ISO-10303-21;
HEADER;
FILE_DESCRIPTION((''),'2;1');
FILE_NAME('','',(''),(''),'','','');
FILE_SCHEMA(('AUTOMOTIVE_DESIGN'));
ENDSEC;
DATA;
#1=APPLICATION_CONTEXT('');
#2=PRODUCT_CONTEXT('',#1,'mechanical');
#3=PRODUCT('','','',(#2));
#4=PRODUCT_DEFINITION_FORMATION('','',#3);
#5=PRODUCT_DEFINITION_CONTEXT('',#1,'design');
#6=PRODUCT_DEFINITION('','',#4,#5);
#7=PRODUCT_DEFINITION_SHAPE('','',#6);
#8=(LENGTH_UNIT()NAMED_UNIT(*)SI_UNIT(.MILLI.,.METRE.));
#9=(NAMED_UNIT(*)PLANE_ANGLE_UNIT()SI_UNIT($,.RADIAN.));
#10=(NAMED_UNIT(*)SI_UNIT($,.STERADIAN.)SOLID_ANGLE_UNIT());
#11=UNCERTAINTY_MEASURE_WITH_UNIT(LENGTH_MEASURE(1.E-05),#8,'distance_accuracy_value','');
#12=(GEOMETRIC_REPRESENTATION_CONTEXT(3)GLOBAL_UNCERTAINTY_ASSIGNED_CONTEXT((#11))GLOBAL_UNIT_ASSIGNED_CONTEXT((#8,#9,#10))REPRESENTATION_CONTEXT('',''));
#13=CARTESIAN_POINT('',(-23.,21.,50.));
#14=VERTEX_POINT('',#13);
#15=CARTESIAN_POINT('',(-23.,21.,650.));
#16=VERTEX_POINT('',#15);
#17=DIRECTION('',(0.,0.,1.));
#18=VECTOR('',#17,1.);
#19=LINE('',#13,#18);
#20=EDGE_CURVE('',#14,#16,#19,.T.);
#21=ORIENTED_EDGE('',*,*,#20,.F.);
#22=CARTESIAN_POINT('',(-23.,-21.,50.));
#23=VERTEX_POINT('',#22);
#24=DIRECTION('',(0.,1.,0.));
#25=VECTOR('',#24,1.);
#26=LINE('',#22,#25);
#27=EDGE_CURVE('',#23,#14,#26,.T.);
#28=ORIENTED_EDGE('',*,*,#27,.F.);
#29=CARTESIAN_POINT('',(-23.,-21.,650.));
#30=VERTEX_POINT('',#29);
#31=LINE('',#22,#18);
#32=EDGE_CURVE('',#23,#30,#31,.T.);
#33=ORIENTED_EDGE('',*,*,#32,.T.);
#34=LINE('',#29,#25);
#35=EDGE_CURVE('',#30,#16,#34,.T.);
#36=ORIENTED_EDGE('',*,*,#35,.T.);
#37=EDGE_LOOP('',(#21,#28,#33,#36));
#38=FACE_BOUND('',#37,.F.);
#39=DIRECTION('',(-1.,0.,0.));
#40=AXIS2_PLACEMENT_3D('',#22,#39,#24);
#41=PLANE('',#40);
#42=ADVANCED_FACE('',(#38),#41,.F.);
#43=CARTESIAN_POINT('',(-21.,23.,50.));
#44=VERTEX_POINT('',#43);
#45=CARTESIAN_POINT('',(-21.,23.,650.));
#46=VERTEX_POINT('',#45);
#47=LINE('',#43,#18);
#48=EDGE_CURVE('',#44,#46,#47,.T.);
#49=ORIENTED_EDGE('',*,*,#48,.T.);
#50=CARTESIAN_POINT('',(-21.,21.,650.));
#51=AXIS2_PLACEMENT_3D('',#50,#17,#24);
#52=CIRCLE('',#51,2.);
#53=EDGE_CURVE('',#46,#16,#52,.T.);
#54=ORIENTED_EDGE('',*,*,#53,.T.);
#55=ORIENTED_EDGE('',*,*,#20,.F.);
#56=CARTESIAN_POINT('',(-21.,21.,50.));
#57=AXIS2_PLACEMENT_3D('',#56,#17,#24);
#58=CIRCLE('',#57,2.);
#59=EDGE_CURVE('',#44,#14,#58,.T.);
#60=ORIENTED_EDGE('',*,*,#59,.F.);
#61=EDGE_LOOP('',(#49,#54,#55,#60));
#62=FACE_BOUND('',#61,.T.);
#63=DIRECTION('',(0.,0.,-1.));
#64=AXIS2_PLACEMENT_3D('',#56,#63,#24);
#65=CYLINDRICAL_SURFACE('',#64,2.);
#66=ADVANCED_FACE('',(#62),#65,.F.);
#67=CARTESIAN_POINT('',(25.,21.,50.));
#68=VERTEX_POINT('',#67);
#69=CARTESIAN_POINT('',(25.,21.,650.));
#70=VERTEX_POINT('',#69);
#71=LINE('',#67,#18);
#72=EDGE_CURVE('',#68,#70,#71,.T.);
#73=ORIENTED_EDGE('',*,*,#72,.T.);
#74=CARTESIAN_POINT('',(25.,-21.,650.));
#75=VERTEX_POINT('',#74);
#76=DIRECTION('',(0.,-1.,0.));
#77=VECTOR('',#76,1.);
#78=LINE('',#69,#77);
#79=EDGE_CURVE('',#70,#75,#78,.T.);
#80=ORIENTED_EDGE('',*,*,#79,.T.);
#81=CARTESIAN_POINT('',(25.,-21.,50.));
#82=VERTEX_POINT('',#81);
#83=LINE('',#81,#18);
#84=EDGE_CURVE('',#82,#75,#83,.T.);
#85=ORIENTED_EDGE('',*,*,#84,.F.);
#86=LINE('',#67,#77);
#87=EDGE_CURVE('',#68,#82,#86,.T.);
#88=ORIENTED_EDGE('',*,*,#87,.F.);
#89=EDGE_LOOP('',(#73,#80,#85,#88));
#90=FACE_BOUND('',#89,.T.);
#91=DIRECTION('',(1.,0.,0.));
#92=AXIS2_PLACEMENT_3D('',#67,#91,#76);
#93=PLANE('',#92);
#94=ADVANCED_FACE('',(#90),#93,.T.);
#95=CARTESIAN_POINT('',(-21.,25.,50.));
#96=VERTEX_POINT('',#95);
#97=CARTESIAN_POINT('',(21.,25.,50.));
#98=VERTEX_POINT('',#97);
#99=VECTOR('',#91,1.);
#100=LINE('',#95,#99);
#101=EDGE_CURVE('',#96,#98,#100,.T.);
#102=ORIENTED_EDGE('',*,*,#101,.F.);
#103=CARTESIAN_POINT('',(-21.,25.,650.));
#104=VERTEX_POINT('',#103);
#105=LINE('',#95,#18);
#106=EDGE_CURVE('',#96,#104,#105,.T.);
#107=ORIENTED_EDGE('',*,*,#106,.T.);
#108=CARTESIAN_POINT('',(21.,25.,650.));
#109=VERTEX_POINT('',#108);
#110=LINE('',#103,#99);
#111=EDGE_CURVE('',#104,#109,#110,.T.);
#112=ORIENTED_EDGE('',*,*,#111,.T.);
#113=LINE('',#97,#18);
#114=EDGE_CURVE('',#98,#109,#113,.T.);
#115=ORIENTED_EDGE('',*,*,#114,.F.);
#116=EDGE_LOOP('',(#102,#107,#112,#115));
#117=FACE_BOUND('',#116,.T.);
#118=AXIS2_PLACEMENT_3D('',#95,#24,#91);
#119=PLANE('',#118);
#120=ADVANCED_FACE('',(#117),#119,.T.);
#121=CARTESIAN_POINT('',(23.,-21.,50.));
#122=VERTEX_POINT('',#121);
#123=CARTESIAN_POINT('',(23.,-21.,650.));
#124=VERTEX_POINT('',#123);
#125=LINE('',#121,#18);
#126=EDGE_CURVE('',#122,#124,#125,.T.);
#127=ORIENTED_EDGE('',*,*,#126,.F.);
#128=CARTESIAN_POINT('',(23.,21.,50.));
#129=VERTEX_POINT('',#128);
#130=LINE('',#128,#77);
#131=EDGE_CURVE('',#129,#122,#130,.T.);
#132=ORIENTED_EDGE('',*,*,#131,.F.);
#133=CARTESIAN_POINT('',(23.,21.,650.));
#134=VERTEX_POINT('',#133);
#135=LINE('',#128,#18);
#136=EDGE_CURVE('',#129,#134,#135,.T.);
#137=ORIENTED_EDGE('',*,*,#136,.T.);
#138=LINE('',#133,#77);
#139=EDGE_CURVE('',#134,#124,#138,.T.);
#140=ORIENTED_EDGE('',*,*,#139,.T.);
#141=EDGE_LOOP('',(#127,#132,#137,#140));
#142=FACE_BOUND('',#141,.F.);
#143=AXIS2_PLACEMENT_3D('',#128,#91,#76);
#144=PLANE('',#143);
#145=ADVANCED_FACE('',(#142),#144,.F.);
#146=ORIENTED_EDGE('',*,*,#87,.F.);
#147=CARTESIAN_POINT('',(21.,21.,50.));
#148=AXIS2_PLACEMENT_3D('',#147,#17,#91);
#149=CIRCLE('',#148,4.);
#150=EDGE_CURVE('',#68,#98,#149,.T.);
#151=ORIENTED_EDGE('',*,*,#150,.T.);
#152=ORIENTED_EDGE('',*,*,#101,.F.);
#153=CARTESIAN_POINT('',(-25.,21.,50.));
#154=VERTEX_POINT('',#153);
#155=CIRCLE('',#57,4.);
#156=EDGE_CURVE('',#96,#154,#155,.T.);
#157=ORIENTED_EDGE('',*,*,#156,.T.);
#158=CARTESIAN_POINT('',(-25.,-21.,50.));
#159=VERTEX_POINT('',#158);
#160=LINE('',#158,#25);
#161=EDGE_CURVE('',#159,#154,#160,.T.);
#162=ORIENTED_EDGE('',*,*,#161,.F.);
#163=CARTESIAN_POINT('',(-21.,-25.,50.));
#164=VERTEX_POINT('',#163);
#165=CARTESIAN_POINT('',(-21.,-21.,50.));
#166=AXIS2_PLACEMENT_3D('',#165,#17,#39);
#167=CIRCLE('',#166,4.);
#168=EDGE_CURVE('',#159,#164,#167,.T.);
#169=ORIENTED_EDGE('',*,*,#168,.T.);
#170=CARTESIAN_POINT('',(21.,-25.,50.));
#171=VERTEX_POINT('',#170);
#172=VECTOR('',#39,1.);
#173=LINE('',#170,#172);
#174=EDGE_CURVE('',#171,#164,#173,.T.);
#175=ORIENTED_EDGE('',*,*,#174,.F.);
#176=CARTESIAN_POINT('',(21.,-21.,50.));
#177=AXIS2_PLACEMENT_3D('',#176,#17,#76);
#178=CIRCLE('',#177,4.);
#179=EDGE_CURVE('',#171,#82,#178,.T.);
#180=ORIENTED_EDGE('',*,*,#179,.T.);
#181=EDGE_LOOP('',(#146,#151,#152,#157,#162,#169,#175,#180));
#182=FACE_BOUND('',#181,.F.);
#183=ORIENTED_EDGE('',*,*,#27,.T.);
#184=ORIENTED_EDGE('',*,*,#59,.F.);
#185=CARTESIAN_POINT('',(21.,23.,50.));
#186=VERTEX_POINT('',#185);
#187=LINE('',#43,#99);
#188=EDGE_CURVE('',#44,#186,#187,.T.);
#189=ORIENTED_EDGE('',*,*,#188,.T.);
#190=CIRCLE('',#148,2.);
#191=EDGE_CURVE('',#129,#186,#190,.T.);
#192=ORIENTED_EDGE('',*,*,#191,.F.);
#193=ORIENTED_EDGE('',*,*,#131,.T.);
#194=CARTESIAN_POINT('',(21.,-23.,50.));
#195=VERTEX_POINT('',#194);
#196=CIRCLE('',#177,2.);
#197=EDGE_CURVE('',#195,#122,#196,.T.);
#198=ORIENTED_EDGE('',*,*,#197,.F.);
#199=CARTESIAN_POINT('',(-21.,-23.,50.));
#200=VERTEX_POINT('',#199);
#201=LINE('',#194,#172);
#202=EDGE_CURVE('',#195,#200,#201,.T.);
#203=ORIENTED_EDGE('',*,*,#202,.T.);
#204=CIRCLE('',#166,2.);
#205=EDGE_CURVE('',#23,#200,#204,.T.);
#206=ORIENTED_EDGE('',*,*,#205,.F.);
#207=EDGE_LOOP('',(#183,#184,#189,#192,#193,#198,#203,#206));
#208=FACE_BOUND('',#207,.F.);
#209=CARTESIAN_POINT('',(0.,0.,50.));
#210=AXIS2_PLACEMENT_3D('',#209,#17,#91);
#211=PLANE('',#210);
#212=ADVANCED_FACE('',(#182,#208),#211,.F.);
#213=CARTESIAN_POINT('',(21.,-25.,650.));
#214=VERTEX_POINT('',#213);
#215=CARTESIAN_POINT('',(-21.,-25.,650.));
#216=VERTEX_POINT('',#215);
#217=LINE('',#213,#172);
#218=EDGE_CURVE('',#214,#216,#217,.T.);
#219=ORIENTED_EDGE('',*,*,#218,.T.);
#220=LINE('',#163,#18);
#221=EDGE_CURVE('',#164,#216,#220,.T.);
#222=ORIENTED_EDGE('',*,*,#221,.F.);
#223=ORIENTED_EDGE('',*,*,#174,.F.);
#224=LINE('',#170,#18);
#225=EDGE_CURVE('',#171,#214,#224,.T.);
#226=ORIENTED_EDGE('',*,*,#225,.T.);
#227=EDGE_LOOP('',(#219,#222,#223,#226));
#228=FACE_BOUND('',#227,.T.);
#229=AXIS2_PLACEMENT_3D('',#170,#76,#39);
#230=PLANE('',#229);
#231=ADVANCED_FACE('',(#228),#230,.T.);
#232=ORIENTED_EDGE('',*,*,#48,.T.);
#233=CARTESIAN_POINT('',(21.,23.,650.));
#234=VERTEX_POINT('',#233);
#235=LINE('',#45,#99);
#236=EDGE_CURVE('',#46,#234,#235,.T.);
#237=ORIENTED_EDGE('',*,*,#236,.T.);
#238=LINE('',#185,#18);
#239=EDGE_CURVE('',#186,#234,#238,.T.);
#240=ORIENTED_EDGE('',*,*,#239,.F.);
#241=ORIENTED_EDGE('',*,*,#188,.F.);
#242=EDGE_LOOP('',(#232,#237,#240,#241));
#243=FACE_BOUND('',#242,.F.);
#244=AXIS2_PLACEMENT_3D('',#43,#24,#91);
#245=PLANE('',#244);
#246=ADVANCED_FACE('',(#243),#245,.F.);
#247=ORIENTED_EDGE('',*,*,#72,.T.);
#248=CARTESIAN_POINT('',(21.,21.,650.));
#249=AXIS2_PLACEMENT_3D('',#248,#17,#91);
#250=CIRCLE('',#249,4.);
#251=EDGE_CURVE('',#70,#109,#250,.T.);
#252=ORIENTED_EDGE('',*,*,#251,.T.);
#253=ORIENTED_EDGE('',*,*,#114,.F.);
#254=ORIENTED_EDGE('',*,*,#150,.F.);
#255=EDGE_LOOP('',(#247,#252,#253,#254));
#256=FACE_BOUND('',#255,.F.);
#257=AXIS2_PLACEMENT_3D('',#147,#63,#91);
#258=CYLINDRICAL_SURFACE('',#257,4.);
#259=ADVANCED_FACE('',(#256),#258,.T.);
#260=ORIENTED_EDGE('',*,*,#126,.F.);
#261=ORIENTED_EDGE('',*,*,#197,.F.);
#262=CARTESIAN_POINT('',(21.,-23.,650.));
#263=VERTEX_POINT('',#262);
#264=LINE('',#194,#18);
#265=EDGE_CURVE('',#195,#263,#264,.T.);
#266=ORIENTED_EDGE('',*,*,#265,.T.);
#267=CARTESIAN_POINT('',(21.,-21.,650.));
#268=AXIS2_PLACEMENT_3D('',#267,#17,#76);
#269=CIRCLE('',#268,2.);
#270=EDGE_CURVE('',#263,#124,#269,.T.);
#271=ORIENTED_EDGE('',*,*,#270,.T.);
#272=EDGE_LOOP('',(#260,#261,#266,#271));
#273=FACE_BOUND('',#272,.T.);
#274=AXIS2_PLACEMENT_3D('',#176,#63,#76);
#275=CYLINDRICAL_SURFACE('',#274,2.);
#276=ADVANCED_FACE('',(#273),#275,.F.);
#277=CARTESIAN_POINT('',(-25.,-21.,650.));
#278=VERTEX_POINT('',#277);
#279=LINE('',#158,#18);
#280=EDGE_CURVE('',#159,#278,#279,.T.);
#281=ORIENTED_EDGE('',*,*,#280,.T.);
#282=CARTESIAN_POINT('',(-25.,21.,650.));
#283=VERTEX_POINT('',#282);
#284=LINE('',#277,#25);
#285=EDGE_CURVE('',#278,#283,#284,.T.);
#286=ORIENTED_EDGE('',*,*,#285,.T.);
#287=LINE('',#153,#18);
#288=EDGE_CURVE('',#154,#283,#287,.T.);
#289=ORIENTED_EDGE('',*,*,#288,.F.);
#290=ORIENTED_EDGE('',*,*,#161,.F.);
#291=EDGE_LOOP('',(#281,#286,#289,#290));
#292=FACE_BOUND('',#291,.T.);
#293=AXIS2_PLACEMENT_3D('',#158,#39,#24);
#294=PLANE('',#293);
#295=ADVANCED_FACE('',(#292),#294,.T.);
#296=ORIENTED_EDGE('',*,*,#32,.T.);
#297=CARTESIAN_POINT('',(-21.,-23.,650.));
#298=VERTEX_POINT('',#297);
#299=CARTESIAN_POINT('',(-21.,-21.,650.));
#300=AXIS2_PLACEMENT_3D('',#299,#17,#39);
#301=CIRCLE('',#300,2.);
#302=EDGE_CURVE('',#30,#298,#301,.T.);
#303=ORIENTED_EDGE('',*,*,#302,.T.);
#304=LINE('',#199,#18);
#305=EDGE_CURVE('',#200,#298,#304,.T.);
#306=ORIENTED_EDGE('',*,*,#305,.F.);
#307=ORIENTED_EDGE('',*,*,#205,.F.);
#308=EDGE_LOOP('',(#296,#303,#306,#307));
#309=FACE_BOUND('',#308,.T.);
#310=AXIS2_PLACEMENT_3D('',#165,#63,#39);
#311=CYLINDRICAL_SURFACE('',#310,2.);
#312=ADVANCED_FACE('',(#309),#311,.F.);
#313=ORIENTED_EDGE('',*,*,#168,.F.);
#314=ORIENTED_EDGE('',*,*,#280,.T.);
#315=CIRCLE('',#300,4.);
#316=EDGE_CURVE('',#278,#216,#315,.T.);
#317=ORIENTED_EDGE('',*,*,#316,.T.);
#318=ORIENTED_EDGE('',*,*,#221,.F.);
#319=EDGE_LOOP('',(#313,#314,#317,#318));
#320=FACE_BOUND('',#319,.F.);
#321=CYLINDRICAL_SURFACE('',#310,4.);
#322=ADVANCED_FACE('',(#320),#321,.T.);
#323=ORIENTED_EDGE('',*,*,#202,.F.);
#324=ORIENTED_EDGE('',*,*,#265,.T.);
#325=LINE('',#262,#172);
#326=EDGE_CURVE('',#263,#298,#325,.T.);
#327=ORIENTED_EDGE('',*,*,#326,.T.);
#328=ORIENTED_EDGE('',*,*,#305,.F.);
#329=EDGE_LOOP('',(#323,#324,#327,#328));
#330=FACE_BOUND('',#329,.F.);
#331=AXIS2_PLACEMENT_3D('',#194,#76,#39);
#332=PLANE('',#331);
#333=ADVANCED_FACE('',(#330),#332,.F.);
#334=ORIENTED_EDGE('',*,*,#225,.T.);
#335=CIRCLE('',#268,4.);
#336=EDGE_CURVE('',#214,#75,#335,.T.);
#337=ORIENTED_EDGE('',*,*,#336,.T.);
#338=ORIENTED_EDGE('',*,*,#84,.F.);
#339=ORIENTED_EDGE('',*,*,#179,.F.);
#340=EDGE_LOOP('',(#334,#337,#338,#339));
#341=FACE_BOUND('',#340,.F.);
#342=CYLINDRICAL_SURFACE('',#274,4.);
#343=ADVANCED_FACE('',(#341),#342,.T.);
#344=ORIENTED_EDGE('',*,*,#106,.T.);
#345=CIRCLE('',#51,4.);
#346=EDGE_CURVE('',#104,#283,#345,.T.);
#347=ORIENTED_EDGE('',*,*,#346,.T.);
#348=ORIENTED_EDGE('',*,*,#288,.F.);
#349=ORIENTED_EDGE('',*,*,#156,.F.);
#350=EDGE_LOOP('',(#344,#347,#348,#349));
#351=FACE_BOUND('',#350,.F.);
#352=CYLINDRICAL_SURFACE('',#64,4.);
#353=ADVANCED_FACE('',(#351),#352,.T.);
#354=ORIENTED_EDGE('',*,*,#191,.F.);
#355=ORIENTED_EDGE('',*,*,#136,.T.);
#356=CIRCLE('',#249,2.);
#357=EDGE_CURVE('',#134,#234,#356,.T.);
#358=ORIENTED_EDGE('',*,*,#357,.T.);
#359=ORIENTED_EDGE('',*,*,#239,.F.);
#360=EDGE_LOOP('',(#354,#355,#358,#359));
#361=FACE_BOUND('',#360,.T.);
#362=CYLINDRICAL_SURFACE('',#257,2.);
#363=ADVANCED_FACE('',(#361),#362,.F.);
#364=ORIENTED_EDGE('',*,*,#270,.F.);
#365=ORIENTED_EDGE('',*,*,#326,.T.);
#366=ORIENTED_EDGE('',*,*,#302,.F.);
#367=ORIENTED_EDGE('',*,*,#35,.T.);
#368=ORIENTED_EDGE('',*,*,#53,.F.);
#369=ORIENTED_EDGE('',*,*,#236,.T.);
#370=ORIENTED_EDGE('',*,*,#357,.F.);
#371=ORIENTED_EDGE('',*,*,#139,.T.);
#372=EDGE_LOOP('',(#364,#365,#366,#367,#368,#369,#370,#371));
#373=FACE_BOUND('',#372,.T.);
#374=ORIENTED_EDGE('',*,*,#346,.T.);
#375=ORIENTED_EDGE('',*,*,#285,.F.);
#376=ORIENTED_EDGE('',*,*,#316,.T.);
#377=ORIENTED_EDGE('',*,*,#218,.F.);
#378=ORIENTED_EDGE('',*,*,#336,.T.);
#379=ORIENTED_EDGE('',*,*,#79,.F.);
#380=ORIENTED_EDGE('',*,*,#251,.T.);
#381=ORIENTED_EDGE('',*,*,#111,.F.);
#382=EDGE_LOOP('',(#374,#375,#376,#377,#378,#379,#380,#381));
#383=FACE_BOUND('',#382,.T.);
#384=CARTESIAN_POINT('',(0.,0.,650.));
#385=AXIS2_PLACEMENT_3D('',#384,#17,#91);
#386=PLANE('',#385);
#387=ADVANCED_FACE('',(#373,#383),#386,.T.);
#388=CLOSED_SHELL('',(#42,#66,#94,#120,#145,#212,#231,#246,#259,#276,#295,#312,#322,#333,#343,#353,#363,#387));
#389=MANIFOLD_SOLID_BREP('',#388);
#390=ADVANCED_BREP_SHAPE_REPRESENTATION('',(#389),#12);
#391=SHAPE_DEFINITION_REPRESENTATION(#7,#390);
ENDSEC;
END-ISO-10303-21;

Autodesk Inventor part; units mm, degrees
ref_plane "YZ Plane" through (0, 0, 0) normal (1, 0, 0) x (0, 1, 0)
ref_plane "Start Plane" through (0, 0, 50) normal (0, 0, 1) x (1, 0, 0)
ref_plane "End Plane" through (0, 0, 650) normal (0, 0, 1) x (1, 0, 0)
sketch "Sketch" plane through (0, 0, 0) normal (0, 0, 1) x (1, 0, 0)
  line L0 (-25, -21) -> (-25, 21)
  line L1 (-21, 25) -> (21, 25)
  line L2 (25, 21) -> (25, -21)
  line L3 (21, -25) -> (-21, -25)
  arc A0 (-25, -21) -> (-21, -25) centre (-21, -21) ccw
  arc A1 (25, 21) -> (21, 25) centre (21, 21) ccw
  arc A2 (-21, 25) -> (-25, 21) centre (-21, 21) ccw
  arc A3 (21, -25) -> (25, -21) centre (21, -21) ccw
  arc A4 (-21, 23) -> (-23, 21) centre (-21, 21) ccw
  line L4 (-21, 23) -> (21, 23)
  arc A5 (23, 21) -> (21, 23) centre (21, 21) ccw
  line L5 (23, 21) -> (23, -21)
  arc A6 (21, -23) -> (23, -21) centre (21, -21) ccw
  line L6 (21, -23) -> (-21, -23)
  arc A7 (-23, -21) -> (-21, -23) centre (-21, -21) ccw
  line L7 (-23, -21) -> (-23, 21)
  line L8 (0, 36.1598) -> (0, -36.1598) construction
  line L9 (-36.1598, 0) -> (36.1598, 0) construction
  dimension "d7" = 4
  dimension "d9" = 50
  dimension "d11" = 50
  dimension "d12" = 2
  dimension "d15" = 25
  dimension "d16" = 25
extrude "Body" add sketch "Sketch" along normal up to surface (600 mm away) from surface at 50
sketch "Sketch3" plane through (0, 0, 0) normal (0, 0, 1) x (1, 0, 0)
  line L0 (0, 0) -> (10, 0)
ref_plane "Work Plane3" through (0, 0, 0) normal (0, -1, 0) x (1, 0, 0)
sketch "Sketch4" plane through (0, 0, 0) normal (0, -1, 0) x (1, 0, 0)
  line L0 (-2, 50) -> (12, 50) projected
  line L1 (-2, 650) -> (12, 650) projected
  dimension "d18" = 600
equation "\"d7\" = G_IR"
equation "\"d9\" = G_W"
equation "\"d11\" = G_H"
equation "\"d12\" = G_T"
equation "\"d15\" = 0.5 * d9"
equation "\"d16\" = 0.5 * d11"
equation "\"d3\" = G_L"
equation "\"G_W\" = 50"
equation "\"G_H\" = 50"
equation "\"G_T\" = 2"
equation "\"G_IR\" = 4"
equation "\"G_L\" = d18"
properties part number "ISO 4019 - 50x50x2 - 600" material "Steel, Mild"
